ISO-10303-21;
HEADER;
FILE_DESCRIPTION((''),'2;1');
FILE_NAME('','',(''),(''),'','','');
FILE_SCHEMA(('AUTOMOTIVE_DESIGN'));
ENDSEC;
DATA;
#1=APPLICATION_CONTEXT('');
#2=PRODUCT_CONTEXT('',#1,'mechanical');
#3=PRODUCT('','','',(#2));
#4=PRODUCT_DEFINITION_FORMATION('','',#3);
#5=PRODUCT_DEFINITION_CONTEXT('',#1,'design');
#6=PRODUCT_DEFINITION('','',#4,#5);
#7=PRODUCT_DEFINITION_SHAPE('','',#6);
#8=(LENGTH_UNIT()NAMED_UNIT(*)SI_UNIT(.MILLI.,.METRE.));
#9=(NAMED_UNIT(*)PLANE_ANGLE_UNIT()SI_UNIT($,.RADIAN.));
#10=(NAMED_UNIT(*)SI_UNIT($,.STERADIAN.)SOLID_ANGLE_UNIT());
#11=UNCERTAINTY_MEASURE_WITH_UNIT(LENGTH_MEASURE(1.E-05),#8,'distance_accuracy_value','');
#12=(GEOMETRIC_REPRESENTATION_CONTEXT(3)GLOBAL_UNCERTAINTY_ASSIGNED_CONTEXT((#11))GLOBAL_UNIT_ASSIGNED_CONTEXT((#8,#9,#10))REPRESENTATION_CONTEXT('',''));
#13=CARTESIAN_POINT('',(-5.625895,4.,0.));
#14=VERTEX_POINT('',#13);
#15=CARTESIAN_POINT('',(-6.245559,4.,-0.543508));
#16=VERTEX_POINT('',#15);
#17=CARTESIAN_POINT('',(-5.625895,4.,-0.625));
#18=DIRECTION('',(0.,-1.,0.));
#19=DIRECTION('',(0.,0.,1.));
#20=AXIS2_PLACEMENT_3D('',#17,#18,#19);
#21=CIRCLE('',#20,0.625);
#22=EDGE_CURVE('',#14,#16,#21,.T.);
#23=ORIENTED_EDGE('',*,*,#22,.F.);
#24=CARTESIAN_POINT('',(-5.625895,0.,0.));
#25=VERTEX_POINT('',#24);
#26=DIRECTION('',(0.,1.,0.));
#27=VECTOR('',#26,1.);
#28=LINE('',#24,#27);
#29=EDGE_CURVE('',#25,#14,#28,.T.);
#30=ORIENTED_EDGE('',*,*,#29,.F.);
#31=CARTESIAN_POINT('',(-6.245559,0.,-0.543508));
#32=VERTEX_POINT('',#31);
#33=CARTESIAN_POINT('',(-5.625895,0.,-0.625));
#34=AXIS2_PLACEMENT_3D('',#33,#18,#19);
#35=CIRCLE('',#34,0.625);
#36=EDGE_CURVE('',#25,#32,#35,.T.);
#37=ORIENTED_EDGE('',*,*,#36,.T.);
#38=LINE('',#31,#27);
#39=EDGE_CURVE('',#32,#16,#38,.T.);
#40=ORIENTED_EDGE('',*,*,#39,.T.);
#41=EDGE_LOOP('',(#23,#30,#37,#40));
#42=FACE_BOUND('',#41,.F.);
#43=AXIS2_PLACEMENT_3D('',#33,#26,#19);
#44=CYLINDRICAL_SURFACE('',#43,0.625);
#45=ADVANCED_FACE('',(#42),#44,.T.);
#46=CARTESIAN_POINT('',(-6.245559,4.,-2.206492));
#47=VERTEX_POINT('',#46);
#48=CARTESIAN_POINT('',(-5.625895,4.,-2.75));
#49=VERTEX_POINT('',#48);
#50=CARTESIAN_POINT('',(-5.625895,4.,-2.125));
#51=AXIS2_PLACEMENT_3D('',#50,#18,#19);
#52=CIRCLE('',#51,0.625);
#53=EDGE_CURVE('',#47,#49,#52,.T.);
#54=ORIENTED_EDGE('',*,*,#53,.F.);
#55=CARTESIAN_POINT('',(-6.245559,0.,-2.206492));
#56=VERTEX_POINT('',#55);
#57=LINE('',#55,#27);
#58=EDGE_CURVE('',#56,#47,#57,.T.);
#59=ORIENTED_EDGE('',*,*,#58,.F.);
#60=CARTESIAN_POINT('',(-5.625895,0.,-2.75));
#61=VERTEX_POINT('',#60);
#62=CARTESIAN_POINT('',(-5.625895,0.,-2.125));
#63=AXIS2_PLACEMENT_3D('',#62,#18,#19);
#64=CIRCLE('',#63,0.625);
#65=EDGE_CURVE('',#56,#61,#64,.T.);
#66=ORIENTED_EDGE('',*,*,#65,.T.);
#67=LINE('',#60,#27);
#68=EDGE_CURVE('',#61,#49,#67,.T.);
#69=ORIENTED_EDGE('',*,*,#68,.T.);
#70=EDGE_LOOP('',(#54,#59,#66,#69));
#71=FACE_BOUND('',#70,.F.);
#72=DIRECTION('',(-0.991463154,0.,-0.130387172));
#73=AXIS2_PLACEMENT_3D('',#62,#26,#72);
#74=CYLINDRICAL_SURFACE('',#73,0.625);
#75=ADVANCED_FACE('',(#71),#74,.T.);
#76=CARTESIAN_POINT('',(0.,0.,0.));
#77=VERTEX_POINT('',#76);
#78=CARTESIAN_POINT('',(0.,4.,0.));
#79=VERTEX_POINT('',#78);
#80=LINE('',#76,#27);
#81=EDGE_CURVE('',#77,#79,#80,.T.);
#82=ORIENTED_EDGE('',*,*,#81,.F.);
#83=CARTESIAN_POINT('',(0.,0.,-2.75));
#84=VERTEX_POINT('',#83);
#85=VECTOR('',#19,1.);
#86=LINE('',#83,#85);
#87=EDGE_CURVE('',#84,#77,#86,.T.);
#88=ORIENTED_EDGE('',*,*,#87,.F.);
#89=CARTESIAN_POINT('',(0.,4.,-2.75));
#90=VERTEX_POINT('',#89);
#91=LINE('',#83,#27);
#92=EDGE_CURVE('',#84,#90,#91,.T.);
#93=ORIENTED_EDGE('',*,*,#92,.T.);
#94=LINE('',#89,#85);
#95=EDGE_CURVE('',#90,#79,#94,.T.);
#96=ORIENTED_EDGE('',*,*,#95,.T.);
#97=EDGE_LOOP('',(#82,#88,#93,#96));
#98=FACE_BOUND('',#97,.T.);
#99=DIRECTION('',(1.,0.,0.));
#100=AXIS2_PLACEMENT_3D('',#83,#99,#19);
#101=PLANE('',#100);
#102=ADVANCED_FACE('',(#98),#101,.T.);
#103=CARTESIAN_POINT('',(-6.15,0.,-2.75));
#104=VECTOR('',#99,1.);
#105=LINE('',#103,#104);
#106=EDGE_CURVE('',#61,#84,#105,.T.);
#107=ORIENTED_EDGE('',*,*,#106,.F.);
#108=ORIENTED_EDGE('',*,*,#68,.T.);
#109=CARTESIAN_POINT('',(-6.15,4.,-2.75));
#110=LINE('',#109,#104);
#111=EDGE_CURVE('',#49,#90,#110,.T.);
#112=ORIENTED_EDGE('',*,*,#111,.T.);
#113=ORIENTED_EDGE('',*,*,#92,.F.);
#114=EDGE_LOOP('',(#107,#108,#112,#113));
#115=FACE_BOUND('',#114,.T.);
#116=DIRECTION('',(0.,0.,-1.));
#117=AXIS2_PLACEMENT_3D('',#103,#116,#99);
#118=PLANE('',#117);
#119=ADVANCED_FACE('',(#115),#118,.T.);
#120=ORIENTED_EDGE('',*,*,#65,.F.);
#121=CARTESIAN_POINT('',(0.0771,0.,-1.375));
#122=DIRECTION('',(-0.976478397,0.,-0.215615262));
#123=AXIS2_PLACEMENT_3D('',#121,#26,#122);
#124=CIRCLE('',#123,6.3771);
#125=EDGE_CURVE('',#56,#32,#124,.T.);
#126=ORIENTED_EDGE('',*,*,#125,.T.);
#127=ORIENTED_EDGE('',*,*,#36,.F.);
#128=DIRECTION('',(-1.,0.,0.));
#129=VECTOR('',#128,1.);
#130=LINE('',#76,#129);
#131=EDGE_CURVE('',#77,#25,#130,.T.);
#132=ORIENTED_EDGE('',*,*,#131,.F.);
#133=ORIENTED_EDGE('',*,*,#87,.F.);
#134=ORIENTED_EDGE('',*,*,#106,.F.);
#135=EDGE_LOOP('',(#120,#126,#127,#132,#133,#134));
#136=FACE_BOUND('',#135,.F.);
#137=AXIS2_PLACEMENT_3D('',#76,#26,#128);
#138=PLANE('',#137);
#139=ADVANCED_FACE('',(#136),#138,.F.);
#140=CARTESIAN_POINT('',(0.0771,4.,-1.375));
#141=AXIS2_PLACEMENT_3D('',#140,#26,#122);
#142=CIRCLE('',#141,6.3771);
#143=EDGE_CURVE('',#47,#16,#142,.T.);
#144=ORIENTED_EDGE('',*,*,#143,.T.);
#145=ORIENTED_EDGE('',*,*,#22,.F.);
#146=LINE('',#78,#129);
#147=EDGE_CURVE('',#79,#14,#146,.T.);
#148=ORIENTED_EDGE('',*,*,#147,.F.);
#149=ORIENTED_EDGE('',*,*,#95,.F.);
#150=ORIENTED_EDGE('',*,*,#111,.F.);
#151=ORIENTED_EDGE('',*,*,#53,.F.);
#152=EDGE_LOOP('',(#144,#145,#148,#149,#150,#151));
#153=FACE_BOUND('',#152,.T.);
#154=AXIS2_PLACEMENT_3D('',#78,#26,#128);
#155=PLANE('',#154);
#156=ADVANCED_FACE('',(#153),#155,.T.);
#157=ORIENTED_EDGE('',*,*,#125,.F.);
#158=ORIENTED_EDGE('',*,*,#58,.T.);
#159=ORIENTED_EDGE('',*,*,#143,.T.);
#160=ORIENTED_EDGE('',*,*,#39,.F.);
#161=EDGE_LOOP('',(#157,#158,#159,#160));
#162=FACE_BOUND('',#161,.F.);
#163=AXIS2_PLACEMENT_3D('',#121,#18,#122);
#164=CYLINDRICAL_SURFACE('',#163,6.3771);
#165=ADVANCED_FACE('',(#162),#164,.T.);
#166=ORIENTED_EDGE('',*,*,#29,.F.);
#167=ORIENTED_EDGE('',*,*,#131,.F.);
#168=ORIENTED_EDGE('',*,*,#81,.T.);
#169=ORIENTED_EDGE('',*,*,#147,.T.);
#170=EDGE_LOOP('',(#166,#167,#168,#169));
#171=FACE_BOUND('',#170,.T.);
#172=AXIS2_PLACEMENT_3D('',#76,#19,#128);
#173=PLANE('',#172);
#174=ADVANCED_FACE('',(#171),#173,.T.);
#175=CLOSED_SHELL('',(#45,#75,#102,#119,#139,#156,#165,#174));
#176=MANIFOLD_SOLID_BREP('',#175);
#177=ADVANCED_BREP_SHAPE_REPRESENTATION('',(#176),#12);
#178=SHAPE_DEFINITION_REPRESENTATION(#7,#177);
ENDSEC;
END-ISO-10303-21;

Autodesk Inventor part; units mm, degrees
ref_plane "YZ Plane" through (0, 0, 0) normal (1, 0, 0) x (0, 1, 0)
ref_plane "XZ Plane" through (0, 0, 0) normal (0, 1, 0) x (-1, 0, 0)
ref_plane "XY Plane" through (0, 0, 0) normal (0, 0, 1) x (1, 0, 0)
sketch "Sketch1" plane through (0, 0, 0) normal (0, 1, 0) x (-1, 0, 0)
  line L0 (0, 0) -> (6.15, 0)
  line L1 (6.15, 0) -> (6.15, -2.75) construction
  line L2 (6.15, -2.75) -> (0, -2.75)
  line L3 (0, -2.75) -> (0, 0)
  arc A0 (6.15, -2.75) -> (6.15, 0) centre (-0.0771, -1.375) ccw
  line L4 (-0.0771, 0) -> (-0.0771, -2.75) construction
  line L5 (6.3, 0.5033) -> (6.3, -3.5493) construction
  dimension "d0" = 2.75
  dimension "d1" = 6.3
  dimension "d2" = 6.15
extrude "Extrusion1" add sketch "Sketch1" along normal blind 4
fillet "Fillet1" radius 0.625 2 edges at (-6.15, 2, -2.75) (-6.15, 2, 0)
properties part number "Button" material "ABS Plastic"
